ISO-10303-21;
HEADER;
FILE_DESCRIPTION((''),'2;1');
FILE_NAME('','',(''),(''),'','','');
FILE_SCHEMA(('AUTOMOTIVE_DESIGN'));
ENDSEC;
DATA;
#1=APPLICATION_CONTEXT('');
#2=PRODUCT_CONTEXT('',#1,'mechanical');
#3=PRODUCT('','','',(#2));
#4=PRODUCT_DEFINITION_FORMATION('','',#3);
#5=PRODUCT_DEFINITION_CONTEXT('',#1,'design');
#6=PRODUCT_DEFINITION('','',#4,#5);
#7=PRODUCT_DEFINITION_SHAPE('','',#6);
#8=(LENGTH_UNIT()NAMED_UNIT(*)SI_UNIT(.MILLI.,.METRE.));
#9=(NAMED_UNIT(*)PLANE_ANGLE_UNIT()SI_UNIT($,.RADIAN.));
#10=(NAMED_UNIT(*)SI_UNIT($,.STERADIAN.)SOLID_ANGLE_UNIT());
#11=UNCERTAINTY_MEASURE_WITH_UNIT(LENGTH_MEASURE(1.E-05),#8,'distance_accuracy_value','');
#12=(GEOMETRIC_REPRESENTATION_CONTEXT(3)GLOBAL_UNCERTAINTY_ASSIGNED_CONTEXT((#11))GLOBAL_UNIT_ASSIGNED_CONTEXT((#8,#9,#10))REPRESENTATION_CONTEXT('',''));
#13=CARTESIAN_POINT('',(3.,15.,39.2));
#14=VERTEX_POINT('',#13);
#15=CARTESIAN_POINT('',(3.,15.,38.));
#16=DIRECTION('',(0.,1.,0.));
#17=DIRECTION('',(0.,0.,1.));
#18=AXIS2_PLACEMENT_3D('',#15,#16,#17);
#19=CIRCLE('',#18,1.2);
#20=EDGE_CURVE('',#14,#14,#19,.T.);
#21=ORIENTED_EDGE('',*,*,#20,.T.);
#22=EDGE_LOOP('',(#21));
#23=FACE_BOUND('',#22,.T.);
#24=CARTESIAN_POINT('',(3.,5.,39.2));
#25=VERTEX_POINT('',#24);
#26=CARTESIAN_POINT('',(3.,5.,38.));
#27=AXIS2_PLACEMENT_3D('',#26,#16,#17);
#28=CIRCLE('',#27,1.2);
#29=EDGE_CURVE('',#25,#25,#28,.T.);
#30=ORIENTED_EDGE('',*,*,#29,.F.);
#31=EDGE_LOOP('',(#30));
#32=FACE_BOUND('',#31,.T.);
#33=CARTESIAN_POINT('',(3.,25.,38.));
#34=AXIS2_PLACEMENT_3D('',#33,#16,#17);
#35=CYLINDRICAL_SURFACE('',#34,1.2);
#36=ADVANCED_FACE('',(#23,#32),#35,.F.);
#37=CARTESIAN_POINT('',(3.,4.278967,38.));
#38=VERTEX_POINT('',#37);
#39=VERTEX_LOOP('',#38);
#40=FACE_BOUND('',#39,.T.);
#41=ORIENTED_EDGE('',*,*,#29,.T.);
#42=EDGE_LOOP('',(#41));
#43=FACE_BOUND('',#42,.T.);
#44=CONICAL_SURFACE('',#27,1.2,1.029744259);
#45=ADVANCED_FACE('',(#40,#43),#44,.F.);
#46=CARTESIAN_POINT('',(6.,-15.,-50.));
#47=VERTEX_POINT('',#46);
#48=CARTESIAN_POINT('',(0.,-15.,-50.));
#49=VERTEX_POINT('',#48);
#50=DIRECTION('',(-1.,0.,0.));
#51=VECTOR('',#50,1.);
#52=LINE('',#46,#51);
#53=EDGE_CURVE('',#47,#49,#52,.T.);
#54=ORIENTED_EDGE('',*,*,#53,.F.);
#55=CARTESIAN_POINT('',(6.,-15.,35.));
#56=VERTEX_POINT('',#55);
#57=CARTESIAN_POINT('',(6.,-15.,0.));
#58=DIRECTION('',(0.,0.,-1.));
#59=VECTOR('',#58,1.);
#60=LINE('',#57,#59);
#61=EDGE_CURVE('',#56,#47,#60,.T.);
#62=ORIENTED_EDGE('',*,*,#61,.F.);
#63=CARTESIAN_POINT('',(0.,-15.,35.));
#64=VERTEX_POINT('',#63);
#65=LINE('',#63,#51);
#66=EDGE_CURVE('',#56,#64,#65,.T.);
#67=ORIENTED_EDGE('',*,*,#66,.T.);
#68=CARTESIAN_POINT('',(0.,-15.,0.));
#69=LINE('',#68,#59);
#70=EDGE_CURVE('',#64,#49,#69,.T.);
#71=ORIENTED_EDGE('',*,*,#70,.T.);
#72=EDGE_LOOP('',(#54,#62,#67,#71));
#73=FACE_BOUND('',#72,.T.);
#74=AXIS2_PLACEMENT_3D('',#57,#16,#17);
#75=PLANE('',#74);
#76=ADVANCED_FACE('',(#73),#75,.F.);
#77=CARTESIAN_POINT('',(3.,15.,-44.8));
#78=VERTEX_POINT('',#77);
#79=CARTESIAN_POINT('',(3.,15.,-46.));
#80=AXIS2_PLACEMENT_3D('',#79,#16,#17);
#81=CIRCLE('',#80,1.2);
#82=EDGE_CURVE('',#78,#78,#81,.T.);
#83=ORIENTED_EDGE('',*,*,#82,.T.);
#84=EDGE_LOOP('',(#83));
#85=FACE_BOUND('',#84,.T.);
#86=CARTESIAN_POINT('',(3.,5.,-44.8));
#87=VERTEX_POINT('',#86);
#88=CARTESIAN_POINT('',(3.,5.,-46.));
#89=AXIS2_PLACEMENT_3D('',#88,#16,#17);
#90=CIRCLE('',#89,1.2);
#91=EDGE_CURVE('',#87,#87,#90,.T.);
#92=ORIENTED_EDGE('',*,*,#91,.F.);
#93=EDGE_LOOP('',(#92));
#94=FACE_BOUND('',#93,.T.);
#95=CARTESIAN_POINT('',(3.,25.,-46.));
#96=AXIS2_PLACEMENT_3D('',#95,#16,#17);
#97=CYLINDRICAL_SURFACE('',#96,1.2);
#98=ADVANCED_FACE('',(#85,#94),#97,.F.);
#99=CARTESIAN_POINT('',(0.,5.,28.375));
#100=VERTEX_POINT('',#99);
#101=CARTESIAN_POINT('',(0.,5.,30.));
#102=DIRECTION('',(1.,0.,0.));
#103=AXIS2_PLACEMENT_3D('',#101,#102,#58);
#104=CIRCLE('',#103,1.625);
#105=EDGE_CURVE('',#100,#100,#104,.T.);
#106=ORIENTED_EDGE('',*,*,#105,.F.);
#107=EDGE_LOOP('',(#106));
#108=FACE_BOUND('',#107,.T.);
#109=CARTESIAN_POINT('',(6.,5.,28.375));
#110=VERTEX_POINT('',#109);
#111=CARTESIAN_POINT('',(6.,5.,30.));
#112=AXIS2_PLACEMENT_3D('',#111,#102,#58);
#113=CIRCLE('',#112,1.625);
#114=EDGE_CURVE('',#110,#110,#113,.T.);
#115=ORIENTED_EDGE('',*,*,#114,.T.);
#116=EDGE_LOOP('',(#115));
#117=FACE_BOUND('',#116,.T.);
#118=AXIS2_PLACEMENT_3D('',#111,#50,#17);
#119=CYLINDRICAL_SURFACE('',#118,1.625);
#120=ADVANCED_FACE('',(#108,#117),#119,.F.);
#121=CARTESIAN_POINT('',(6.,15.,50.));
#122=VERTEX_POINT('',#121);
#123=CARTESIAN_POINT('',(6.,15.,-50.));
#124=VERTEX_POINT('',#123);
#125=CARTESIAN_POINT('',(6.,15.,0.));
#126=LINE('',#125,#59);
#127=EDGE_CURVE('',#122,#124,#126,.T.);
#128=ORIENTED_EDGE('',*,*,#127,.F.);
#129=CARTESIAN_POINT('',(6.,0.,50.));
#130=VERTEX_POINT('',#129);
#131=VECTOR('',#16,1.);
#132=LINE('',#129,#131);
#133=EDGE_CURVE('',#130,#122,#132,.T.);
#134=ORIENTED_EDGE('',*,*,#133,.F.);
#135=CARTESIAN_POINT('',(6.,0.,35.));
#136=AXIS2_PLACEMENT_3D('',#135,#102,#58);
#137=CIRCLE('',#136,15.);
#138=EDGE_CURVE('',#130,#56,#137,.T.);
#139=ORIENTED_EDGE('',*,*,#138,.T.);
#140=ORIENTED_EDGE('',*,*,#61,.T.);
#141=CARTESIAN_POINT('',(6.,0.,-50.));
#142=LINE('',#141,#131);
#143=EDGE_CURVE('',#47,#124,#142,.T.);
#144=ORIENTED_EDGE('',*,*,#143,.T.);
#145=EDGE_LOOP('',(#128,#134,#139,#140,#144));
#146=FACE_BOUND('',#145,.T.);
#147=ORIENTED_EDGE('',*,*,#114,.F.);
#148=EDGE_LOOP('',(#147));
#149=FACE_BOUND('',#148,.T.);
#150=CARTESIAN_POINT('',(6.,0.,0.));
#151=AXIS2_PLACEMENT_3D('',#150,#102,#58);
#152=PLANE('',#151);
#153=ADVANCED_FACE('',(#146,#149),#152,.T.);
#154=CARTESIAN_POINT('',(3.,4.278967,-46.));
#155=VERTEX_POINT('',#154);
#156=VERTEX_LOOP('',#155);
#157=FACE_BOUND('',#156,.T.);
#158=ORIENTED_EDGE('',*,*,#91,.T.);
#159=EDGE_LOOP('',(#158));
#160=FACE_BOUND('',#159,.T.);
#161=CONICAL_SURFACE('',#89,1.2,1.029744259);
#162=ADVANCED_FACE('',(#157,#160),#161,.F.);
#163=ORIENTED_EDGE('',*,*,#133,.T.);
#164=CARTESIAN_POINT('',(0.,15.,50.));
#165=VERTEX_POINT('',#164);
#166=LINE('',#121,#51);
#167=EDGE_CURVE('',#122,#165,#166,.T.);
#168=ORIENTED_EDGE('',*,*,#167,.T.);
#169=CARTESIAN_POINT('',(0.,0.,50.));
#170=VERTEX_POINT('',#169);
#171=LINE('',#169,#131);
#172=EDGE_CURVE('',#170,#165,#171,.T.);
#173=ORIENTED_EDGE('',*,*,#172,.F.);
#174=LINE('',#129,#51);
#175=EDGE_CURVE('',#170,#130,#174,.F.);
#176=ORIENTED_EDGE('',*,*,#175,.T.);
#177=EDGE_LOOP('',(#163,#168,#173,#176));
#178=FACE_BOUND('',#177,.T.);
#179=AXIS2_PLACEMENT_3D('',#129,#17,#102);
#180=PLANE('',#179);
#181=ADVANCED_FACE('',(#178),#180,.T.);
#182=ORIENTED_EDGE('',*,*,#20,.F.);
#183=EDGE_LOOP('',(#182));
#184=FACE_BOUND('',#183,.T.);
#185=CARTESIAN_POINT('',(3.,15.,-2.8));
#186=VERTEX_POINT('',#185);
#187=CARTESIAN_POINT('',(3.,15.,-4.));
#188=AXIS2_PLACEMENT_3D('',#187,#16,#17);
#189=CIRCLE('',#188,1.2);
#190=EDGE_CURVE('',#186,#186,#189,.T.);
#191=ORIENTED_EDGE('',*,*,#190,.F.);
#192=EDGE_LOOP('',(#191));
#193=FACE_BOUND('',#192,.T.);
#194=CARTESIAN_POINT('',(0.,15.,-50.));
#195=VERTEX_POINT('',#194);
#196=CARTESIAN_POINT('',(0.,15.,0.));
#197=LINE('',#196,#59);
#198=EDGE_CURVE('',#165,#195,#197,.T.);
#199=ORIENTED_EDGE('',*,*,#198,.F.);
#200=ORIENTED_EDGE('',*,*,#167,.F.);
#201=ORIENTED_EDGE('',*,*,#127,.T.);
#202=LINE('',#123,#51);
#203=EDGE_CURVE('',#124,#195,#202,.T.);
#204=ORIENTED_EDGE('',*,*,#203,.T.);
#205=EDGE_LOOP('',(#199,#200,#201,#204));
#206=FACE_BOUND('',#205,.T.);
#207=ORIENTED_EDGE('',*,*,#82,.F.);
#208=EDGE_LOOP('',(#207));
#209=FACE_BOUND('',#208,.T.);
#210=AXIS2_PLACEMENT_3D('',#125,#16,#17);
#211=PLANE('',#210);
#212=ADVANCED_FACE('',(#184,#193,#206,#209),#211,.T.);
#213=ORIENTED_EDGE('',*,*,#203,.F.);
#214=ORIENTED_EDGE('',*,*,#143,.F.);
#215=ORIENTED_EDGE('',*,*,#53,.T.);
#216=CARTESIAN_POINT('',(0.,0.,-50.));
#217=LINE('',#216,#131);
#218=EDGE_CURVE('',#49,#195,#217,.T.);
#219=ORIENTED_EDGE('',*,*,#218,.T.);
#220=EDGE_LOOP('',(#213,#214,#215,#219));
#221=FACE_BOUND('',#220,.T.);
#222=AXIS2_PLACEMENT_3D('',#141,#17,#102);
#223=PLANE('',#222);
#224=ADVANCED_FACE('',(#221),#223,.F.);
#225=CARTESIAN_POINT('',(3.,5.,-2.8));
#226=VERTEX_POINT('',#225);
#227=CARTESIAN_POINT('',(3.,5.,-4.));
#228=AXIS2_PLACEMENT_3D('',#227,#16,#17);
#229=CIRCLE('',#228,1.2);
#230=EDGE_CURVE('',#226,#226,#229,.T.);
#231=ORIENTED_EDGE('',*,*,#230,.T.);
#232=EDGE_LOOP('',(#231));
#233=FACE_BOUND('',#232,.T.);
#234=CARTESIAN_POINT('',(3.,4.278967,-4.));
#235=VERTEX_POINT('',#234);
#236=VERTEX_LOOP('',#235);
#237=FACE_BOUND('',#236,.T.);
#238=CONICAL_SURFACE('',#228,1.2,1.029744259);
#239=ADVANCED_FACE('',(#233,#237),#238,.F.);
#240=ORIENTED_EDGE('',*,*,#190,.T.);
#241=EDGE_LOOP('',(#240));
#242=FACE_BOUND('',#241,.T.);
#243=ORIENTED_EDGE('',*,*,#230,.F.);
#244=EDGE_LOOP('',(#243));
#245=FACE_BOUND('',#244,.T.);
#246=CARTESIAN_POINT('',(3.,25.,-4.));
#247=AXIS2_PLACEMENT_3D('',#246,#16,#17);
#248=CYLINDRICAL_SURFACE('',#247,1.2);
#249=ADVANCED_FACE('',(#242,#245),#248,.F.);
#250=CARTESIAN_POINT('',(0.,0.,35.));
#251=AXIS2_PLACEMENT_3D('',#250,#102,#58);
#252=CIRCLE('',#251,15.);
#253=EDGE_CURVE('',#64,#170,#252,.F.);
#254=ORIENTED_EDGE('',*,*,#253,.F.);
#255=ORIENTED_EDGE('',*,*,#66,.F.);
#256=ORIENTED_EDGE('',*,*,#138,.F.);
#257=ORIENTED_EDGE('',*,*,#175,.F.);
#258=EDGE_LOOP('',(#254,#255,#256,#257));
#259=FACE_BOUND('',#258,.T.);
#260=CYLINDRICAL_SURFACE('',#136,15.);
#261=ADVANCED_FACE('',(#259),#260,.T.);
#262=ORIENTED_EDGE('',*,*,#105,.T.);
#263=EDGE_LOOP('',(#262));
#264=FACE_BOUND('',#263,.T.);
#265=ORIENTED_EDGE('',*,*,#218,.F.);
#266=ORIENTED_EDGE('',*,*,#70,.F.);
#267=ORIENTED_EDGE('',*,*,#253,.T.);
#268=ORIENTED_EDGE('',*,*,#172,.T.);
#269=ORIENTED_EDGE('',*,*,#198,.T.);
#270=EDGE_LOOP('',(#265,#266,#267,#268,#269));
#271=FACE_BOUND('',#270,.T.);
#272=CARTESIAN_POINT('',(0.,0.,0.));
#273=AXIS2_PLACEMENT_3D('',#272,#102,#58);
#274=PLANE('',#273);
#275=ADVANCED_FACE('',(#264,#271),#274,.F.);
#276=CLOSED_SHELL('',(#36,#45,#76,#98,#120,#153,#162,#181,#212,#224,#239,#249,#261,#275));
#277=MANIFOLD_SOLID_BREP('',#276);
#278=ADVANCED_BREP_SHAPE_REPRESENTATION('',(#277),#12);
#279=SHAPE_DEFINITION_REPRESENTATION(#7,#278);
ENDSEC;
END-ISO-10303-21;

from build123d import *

# Parameters (mm, degrees)
SKETCH1_W                      = 100
SKETCH1_H                      = 30
SKETCH1_R                      = 1.625
BOSS_EXTRUDE1_DEPTH            = 6
FILLET1_R                      = 15
CBORE_FOR_M2_SHCS1_D           = 2.4
CBORE_FOR_M2_SHCS1_DEPTH       = 20
CBORE_FOR_M2_SHCS1_CBORE_D     = 4.4
CBORE_FOR_M2_SHCS1_CBORE_DEPTH = 2
CBORE_FOR_M2_SHCS1_TIP         = 0.721032743


with BuildPart() as part:
    # Sketch1 → Boss-Extrude1 (new body)
    with BuildSketch(Plane(origin=(0, 0, 0), x_dir=(0, 0, -1), z_dir=(1, 0, 0))):
        Rectangle(SKETCH1_W, SKETCH1_H)
        with Locations((-30, 5)):
            Circle(SKETCH1_R, mode=Mode.SUBTRACT)
    extrude(amount=BOSS_EXTRUDE1_DEPTH)

    # Fillet1
    fillet1_edges = [part.edges().sort_by_distance(p)[0] for p in [
        (3, -15, 50),
    ]]
    fillet(fillet1_edges, radius=FILLET1_R)

    # CBORE for M2 SHCS1
    with Locations(Plane(origin=(-622.293536786, 25, -1323.282701689), x_dir=(1, 0, 0), z_dir=(0, 1, 0))):
        with Locations((727.293536786, -1277.282701689), (727.293536786, -1361.282701689), (625.293536786, -1277.282701689), (625.293536786, -1361.282701689), (625.293536786, -1319.282701689), (727.293536786, -1319.282701689)):
            CounterBoreHole(CBORE_FOR_M2_SHCS1_D / 2, CBORE_FOR_M2_SHCS1_CBORE_D / 2, CBORE_FOR_M2_SHCS1_CBORE_DEPTH, depth=CBORE_FOR_M2_SHCS1_DEPTH)
            with Locations((0, 0, -(CBORE_FOR_M2_SHCS1_DEPTH + CBORE_FOR_M2_SHCS1_TIP / 2))):  # 118° drill point
                Cone(0, CBORE_FOR_M2_SHCS1_D / 2, CBORE_FOR_M2_SHCS1_TIP, mode=Mode.SUBTRACT)


solid = part.part
